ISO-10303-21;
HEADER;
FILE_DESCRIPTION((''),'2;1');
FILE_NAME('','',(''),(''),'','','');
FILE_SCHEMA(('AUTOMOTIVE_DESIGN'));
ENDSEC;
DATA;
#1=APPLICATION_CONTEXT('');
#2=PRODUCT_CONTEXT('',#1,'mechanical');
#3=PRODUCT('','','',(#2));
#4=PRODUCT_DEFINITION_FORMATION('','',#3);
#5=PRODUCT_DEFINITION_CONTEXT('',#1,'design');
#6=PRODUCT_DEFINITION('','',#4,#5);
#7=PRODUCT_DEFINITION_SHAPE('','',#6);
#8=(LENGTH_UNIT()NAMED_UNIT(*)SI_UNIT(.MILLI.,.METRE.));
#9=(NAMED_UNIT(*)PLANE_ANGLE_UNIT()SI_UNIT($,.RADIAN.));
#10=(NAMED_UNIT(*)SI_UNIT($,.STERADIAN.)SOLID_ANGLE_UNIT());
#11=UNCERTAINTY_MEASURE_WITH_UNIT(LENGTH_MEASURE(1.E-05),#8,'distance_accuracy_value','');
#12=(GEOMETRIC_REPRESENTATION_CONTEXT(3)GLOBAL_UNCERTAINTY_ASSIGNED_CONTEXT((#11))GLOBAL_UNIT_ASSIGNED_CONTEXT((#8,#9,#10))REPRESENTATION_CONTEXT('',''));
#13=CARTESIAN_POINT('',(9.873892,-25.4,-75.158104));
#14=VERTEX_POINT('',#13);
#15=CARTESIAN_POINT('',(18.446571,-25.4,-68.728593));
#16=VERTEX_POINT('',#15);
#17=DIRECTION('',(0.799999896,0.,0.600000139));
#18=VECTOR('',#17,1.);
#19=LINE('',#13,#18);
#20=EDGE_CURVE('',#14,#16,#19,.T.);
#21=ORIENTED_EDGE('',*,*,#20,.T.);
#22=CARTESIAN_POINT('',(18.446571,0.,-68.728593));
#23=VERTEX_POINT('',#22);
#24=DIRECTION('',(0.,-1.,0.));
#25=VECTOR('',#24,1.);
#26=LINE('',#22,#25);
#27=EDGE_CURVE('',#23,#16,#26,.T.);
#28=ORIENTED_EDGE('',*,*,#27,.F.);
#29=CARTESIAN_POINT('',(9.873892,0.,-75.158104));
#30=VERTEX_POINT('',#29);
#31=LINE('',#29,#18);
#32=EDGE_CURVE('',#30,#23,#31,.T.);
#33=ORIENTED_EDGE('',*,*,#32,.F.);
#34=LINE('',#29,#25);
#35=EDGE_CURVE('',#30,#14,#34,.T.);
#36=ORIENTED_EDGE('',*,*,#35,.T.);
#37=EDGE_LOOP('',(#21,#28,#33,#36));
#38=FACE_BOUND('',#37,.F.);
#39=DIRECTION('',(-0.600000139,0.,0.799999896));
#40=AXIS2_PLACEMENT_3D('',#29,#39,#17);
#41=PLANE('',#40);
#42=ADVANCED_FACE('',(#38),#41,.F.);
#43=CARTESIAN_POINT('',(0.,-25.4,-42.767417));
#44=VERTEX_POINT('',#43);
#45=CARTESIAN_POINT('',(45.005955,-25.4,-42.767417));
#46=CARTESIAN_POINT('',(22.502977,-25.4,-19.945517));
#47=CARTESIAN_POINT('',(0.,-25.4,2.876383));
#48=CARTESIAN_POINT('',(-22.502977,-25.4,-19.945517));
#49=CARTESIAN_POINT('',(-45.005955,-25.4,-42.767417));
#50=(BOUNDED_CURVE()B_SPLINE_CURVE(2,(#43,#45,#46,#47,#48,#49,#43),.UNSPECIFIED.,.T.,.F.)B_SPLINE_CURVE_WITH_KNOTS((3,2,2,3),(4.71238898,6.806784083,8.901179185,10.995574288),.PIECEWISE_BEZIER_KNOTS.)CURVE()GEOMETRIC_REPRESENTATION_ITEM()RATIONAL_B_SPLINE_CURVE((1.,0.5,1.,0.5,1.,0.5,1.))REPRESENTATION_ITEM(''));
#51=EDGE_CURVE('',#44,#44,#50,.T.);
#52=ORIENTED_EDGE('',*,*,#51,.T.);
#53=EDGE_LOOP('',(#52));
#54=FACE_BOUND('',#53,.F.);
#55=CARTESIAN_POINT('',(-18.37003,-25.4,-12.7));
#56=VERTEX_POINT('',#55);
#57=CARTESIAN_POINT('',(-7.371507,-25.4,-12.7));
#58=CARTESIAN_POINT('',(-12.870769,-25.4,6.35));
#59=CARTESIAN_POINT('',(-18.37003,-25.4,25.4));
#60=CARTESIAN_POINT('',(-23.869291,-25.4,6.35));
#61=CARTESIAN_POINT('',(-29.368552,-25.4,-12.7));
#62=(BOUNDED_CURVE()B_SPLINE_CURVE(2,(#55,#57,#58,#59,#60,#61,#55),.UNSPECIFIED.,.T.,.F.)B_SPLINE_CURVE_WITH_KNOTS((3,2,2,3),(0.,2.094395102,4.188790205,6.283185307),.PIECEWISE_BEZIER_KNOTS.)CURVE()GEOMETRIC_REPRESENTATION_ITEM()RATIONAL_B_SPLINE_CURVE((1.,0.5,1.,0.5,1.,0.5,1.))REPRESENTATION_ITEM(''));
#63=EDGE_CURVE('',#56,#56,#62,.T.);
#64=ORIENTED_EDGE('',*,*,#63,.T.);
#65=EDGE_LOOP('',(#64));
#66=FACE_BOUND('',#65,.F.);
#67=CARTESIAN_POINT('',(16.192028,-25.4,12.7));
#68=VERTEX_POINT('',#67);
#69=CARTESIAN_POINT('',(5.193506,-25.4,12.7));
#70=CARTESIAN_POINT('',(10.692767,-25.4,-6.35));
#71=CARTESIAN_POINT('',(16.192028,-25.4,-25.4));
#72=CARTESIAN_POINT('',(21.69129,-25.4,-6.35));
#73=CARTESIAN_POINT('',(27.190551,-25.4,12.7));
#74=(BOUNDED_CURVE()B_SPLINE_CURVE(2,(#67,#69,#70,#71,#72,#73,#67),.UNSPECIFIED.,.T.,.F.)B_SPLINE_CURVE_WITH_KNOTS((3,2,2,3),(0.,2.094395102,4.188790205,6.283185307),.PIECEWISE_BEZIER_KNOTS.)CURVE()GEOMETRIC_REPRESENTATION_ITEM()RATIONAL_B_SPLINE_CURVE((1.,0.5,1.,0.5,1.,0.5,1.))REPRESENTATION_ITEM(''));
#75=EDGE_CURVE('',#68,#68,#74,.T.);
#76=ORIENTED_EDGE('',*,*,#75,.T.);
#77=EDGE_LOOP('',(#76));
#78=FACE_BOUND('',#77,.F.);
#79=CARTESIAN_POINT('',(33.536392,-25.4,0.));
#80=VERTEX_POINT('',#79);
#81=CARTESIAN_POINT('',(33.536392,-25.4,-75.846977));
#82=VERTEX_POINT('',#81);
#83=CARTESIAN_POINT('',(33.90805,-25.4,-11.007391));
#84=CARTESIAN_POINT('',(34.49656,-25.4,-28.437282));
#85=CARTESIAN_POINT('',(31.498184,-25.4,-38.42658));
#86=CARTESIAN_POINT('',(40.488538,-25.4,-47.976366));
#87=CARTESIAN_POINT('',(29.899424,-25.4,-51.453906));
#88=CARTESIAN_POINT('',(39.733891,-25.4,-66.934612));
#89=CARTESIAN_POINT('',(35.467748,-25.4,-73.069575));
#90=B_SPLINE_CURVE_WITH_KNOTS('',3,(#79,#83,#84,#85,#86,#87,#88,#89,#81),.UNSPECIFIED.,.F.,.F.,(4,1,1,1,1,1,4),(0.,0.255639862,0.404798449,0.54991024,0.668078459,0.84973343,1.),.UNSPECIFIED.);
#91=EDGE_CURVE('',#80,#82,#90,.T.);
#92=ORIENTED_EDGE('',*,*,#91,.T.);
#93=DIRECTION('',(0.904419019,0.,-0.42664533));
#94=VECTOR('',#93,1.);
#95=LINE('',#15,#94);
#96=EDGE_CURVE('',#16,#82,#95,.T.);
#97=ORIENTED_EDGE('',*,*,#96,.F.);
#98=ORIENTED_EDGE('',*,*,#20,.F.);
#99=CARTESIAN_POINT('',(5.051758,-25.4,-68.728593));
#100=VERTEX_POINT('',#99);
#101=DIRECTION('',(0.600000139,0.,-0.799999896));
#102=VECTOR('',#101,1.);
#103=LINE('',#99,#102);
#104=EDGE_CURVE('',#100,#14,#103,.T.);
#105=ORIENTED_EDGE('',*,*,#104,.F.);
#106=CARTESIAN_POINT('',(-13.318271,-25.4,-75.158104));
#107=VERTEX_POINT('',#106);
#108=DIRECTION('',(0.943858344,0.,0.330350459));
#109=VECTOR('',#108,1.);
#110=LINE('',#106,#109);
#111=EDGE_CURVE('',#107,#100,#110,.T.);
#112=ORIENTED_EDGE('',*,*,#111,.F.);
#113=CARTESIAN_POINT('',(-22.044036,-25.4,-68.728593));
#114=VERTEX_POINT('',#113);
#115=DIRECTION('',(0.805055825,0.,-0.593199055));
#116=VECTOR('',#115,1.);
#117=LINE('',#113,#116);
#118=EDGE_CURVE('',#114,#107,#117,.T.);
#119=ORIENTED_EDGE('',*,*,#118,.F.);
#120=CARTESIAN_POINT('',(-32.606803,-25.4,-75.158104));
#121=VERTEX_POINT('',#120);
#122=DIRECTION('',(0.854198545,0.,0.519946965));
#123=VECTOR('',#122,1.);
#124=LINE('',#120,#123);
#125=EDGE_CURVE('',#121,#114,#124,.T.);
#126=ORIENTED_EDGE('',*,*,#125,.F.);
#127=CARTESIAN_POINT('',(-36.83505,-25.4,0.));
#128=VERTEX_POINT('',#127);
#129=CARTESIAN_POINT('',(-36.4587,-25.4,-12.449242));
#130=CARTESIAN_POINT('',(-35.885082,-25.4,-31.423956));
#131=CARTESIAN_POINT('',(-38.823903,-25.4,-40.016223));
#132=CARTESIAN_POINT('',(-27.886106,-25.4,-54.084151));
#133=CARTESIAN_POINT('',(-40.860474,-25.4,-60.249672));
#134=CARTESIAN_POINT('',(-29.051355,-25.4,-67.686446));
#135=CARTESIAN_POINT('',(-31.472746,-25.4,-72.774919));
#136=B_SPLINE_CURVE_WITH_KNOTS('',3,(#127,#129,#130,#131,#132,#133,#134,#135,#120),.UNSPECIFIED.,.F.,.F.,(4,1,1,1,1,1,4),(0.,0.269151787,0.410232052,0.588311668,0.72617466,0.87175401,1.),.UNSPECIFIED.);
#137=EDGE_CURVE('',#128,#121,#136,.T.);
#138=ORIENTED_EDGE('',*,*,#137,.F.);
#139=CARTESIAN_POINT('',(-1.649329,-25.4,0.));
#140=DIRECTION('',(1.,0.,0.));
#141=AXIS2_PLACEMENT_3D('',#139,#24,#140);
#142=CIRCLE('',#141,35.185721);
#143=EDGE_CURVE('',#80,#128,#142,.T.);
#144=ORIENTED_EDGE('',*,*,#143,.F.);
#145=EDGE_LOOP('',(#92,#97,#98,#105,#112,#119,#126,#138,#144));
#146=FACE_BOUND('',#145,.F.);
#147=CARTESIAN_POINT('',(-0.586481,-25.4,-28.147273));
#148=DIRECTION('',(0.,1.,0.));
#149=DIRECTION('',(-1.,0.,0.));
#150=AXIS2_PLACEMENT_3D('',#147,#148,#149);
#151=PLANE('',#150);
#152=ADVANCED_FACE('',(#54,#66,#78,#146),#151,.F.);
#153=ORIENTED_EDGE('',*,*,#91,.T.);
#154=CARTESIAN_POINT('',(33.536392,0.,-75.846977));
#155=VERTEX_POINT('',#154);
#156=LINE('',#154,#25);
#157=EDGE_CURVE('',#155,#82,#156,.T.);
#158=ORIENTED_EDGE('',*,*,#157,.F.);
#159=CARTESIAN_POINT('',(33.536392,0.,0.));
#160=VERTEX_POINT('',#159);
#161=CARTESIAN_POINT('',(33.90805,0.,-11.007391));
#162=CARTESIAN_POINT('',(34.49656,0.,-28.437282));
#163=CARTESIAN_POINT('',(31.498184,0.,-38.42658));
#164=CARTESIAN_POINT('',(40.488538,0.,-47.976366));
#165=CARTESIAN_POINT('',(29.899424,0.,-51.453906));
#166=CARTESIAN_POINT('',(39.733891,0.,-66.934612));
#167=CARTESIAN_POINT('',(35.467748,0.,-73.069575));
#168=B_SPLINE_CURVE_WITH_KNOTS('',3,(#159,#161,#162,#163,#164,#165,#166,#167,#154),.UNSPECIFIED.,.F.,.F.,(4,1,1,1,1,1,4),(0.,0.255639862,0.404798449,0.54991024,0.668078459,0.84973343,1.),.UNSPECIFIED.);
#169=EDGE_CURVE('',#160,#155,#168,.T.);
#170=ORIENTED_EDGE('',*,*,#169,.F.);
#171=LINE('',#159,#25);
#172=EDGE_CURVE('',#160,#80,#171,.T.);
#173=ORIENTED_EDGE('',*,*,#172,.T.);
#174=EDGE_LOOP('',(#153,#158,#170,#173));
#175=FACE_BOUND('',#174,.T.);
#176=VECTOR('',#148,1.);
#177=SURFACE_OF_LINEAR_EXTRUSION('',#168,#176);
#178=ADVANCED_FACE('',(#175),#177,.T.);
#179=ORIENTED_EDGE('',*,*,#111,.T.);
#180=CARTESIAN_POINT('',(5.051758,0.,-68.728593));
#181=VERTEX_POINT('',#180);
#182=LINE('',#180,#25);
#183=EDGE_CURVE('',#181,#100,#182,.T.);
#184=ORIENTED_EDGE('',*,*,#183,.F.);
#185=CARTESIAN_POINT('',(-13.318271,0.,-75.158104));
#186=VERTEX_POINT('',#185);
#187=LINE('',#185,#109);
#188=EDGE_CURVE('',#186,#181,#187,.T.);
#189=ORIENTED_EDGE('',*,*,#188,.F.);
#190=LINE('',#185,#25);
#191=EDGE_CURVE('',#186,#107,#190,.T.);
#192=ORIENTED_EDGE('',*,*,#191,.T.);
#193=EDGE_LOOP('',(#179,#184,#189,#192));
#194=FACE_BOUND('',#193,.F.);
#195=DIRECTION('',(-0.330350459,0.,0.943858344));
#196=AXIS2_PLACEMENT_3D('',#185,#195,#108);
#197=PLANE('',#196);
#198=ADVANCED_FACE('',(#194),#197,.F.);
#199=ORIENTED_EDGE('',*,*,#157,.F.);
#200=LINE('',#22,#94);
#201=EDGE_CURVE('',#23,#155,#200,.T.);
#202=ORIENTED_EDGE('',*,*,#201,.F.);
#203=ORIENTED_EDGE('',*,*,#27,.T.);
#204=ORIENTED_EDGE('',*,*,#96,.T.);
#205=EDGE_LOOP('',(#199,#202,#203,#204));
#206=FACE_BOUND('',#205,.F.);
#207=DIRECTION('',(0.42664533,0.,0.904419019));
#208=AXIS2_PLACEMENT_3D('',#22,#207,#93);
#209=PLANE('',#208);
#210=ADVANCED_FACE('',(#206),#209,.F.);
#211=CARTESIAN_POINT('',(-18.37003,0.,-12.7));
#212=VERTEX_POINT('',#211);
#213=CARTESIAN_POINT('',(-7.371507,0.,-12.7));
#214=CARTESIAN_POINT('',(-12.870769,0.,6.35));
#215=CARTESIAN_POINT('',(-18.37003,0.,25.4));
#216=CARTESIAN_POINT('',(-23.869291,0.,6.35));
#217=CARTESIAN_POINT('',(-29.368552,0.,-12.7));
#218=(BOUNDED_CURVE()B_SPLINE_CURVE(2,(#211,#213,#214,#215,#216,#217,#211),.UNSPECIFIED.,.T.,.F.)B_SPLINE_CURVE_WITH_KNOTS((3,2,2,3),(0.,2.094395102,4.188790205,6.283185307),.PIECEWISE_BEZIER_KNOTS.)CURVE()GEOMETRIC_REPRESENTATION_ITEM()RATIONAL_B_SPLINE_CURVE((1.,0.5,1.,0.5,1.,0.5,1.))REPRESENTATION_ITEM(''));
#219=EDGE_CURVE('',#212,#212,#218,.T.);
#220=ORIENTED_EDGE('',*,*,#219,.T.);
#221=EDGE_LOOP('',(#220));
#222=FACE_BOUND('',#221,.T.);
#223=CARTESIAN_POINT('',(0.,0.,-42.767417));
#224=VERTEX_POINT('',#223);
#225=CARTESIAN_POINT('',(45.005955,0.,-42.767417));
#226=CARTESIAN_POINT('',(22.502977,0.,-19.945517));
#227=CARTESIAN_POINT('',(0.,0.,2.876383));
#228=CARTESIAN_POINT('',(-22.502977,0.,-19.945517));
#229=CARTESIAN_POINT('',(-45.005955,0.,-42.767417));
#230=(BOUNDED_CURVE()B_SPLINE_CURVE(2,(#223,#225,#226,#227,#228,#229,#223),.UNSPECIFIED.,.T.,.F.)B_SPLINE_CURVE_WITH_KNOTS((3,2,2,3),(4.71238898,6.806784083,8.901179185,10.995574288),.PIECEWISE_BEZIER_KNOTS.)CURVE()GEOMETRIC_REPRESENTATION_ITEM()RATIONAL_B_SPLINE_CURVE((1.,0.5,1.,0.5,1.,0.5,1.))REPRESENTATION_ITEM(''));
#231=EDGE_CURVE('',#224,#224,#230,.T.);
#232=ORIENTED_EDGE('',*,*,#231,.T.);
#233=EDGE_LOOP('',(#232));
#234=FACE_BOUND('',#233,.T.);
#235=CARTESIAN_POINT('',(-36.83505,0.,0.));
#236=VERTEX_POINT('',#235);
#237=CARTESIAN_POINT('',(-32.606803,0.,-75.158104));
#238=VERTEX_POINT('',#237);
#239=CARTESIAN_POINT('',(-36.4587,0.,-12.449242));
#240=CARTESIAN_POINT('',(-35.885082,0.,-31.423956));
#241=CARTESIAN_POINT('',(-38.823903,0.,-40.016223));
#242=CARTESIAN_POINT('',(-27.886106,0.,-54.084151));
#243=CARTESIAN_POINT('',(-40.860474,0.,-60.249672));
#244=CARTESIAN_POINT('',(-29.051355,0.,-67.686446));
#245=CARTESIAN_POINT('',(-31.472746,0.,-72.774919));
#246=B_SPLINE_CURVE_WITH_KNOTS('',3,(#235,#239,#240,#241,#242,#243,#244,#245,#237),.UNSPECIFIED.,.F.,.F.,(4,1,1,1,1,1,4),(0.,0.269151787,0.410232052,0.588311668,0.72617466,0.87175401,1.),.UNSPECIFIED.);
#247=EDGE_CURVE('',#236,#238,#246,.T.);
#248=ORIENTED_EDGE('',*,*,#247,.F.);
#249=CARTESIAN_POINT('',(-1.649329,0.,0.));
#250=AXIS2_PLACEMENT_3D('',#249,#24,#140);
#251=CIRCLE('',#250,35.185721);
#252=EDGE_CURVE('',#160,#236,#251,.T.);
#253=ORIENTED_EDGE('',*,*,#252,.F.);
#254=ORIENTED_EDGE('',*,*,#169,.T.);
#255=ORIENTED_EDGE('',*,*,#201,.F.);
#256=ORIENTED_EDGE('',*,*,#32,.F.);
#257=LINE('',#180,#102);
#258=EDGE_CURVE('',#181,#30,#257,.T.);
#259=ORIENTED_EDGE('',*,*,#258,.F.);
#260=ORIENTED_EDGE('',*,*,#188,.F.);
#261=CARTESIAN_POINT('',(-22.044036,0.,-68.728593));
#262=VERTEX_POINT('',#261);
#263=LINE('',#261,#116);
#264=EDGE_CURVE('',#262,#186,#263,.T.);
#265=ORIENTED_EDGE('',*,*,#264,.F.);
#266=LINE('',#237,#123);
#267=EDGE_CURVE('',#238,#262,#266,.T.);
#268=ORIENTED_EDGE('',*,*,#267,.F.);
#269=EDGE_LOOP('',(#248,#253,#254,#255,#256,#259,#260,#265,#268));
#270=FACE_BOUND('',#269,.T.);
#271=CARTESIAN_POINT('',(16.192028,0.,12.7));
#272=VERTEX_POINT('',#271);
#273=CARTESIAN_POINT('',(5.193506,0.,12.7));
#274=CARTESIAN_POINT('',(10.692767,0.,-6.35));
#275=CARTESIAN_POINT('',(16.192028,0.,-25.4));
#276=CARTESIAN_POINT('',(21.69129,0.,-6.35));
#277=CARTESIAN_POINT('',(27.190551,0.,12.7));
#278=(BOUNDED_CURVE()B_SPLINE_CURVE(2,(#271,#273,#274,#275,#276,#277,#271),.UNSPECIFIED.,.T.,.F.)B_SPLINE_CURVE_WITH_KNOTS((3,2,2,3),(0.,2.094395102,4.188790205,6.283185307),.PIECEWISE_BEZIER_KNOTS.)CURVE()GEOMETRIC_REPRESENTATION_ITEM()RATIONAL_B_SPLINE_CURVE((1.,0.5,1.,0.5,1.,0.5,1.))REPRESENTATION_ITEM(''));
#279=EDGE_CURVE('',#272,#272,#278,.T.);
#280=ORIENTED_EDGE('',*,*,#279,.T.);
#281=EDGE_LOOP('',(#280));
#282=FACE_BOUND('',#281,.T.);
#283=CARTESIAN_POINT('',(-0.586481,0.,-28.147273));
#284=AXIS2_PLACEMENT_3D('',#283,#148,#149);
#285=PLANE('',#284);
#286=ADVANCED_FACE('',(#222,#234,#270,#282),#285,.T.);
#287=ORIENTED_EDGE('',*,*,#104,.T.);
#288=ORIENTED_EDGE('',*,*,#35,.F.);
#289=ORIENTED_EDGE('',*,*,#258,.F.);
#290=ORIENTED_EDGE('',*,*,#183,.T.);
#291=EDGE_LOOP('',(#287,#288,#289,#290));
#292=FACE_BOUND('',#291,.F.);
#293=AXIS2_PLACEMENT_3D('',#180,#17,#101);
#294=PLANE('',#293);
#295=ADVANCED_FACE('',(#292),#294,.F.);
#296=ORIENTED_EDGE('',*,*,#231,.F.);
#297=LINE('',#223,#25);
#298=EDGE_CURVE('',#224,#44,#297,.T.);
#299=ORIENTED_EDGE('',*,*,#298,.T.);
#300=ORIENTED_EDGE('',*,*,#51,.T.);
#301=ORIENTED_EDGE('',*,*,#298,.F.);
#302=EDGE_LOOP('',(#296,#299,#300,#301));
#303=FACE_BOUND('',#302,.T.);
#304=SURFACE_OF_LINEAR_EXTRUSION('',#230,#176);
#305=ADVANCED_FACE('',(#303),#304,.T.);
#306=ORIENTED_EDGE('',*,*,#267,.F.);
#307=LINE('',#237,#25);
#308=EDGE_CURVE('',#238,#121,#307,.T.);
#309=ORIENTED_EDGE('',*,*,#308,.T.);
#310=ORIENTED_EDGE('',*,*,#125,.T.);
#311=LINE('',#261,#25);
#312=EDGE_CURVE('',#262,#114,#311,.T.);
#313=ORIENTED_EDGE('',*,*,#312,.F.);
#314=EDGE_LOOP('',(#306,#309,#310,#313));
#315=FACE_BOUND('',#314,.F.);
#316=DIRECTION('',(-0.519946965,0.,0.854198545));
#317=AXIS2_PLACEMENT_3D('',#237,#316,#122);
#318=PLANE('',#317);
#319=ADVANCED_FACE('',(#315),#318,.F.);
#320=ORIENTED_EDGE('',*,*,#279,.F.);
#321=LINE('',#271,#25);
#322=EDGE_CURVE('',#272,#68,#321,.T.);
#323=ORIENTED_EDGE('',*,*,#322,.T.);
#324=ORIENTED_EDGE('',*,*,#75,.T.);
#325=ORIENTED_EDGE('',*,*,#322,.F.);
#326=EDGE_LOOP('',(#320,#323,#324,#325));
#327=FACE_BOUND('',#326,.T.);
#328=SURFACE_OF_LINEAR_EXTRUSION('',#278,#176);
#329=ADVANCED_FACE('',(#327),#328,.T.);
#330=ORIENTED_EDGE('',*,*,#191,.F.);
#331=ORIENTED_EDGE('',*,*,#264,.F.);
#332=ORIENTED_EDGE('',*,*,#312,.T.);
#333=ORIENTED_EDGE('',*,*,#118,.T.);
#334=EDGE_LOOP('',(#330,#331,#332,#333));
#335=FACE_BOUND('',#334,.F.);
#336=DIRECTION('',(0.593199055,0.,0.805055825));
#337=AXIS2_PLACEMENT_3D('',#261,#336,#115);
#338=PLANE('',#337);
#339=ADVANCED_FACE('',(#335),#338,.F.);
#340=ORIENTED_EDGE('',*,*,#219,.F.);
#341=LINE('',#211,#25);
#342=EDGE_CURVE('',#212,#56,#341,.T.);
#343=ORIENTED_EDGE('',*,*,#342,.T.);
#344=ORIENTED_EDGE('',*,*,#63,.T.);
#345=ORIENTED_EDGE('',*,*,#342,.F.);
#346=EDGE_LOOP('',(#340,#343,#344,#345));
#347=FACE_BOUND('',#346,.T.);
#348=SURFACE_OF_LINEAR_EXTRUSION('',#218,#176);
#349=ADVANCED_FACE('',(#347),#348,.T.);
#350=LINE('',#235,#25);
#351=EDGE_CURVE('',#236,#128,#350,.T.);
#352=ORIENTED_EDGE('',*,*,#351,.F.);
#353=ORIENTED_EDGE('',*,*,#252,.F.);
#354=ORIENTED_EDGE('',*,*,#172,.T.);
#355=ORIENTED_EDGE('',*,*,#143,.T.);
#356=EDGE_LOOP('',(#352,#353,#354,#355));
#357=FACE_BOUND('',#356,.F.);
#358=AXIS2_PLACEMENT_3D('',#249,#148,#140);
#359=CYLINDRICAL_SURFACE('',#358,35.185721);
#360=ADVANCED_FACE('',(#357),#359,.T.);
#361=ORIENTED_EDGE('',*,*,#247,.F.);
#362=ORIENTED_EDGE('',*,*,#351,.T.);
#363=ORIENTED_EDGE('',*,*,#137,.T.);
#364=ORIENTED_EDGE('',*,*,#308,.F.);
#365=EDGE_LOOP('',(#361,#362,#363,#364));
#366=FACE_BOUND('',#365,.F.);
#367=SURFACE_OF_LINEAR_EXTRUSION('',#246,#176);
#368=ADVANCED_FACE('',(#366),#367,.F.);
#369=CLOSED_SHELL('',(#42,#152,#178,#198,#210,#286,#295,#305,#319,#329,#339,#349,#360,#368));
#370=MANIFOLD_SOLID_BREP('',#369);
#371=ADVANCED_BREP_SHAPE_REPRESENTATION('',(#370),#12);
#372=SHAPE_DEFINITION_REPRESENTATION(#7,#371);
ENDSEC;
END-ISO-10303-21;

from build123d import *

# Parameters (mm, degrees)
F1_DEPTH = 25.4


with BuildPart() as f1:
    # F0 (on Front) → F1 (new body)
    with BuildSketch(Plane.XZ):
        with BuildLine():
            add(Edge.make_bspline(
                [(33.5363921551, 0), (33.9080503015, -11.007391355), (34.4965604021, -28.4372823861), (31.4981838417, -38.4265799345), (40.4885377137, -47.9763659856), (29.8994235012, -51.4539062408), (39.7338912438, -66.9346122532), (35.4677482135, -73.069574644), (33.5363921551, -75.8469772528)],
                knots=[0, 0, 0, 0, 0.2556398625, 0.4047984488, 0.54991024, 0.6680784589, 0.8497334302, 1, 1, 1, 1], degree=3))
            ThreePointArc((33.5363921551, 0), (-1.6493287325, 35.1857208876), (-36.8350496202, 0))
            add(Edge.make_bspline(
                [(-36.8350496202, 0), (-36.4587004208, -12.4492421861), (-35.8850816983, -31.4239561264), (-38.8239034904, -40.0162228604), (-27.8861063097, -54.0841505323), (-40.8604743479, -60.2496717683), (-29.0513552965, -67.6864456309), (-31.4727458652, -72.7749193903), (-32.6068031863, -75.1581040757)],
                knots=[0, 0, 0, 0, 0.269151787, 0.4102320518, 0.5883116679, 0.7261746602, 0.8717540097, 1, 1, 1, 1], degree=3))
            Line((-32.6068031863, -75.1581040757), (-22.0440358096, -68.7285931954))
            Line((-22.0440358096, -68.7285931954), (-13.3182714171, -75.1581040757))
            Line((-13.3182714171, -75.1581040757), (5.0517575526, -68.7285931954))
            Line((5.0517575526, -68.7285931954), (9.8738924562, -75.1581040757))
            Line((9.8738924562, -75.1581040757), (18.4465705306, -68.7285931954))
            Line((18.4465705306, -68.7285931954), (33.5363921551, -75.8469772528))
        make_face()
        with BuildLine():
            add(Edge.make_bspline(
                [(0, -42.7674170168), (45.005954594, -42.7674170168), (22.502977297, -19.9455170168), (0, 2.8763829832), (-22.502977297, -19.9455170168), (-45.005954594, -42.7674170168), (0, -42.7674170168)],
                knots=[4.7123889804, 4.7123889804, 4.7123889804, 6.8067840828, 6.8067840828, 8.9011791852, 8.9011791852, 10.9955742876, 10.9955742876, 10.9955742876], degree=2, weights=[1, 0.5, 1, 0.5, 1, 0.5, 1]))
        make_face(mode=Mode.SUBTRACT)
        with BuildLine():
            add(Edge.make_bspline(
                [(-18.3700298414, -12.7), (-7.3715072133, -12.7), (-12.8707685273, 6.35), (-18.3700298414, 25.4), (-23.8692911554, 6.35), (-29.3685524694, -12.7), (-18.3700298414, -12.7)],
                knots=[0, 0, 0, 2.0943951024, 2.0943951024, 4.1887902048, 4.1887902048, 6.2831853072, 6.2831853072, 6.2831853072], degree=2, weights=[1, 0.5, 1, 0.5, 1, 0.5, 1]))
        make_face(mode=Mode.SUBTRACT)
        with BuildLine():
            add(Edge.make_bspline(
                [(16.192028299, 12.7), (5.1935056709, 12.7), (10.6927669849, -6.35), (16.192028299, -25.4), (21.691289613, -6.35), (27.190550927, 12.7), (16.192028299, 12.7)],
                knots=[0, 0, 0, 2.0943951024, 2.0943951024, 4.1887902048, 4.1887902048, 6.2831853072, 6.2831853072, 6.2831853072], degree=2, weights=[1, 0.5, 1, 0.5, 1, 0.5, 1]))
        make_face(mode=Mode.SUBTRACT)
    extrude(amount=F1_DEPTH)


solid = f1.part
